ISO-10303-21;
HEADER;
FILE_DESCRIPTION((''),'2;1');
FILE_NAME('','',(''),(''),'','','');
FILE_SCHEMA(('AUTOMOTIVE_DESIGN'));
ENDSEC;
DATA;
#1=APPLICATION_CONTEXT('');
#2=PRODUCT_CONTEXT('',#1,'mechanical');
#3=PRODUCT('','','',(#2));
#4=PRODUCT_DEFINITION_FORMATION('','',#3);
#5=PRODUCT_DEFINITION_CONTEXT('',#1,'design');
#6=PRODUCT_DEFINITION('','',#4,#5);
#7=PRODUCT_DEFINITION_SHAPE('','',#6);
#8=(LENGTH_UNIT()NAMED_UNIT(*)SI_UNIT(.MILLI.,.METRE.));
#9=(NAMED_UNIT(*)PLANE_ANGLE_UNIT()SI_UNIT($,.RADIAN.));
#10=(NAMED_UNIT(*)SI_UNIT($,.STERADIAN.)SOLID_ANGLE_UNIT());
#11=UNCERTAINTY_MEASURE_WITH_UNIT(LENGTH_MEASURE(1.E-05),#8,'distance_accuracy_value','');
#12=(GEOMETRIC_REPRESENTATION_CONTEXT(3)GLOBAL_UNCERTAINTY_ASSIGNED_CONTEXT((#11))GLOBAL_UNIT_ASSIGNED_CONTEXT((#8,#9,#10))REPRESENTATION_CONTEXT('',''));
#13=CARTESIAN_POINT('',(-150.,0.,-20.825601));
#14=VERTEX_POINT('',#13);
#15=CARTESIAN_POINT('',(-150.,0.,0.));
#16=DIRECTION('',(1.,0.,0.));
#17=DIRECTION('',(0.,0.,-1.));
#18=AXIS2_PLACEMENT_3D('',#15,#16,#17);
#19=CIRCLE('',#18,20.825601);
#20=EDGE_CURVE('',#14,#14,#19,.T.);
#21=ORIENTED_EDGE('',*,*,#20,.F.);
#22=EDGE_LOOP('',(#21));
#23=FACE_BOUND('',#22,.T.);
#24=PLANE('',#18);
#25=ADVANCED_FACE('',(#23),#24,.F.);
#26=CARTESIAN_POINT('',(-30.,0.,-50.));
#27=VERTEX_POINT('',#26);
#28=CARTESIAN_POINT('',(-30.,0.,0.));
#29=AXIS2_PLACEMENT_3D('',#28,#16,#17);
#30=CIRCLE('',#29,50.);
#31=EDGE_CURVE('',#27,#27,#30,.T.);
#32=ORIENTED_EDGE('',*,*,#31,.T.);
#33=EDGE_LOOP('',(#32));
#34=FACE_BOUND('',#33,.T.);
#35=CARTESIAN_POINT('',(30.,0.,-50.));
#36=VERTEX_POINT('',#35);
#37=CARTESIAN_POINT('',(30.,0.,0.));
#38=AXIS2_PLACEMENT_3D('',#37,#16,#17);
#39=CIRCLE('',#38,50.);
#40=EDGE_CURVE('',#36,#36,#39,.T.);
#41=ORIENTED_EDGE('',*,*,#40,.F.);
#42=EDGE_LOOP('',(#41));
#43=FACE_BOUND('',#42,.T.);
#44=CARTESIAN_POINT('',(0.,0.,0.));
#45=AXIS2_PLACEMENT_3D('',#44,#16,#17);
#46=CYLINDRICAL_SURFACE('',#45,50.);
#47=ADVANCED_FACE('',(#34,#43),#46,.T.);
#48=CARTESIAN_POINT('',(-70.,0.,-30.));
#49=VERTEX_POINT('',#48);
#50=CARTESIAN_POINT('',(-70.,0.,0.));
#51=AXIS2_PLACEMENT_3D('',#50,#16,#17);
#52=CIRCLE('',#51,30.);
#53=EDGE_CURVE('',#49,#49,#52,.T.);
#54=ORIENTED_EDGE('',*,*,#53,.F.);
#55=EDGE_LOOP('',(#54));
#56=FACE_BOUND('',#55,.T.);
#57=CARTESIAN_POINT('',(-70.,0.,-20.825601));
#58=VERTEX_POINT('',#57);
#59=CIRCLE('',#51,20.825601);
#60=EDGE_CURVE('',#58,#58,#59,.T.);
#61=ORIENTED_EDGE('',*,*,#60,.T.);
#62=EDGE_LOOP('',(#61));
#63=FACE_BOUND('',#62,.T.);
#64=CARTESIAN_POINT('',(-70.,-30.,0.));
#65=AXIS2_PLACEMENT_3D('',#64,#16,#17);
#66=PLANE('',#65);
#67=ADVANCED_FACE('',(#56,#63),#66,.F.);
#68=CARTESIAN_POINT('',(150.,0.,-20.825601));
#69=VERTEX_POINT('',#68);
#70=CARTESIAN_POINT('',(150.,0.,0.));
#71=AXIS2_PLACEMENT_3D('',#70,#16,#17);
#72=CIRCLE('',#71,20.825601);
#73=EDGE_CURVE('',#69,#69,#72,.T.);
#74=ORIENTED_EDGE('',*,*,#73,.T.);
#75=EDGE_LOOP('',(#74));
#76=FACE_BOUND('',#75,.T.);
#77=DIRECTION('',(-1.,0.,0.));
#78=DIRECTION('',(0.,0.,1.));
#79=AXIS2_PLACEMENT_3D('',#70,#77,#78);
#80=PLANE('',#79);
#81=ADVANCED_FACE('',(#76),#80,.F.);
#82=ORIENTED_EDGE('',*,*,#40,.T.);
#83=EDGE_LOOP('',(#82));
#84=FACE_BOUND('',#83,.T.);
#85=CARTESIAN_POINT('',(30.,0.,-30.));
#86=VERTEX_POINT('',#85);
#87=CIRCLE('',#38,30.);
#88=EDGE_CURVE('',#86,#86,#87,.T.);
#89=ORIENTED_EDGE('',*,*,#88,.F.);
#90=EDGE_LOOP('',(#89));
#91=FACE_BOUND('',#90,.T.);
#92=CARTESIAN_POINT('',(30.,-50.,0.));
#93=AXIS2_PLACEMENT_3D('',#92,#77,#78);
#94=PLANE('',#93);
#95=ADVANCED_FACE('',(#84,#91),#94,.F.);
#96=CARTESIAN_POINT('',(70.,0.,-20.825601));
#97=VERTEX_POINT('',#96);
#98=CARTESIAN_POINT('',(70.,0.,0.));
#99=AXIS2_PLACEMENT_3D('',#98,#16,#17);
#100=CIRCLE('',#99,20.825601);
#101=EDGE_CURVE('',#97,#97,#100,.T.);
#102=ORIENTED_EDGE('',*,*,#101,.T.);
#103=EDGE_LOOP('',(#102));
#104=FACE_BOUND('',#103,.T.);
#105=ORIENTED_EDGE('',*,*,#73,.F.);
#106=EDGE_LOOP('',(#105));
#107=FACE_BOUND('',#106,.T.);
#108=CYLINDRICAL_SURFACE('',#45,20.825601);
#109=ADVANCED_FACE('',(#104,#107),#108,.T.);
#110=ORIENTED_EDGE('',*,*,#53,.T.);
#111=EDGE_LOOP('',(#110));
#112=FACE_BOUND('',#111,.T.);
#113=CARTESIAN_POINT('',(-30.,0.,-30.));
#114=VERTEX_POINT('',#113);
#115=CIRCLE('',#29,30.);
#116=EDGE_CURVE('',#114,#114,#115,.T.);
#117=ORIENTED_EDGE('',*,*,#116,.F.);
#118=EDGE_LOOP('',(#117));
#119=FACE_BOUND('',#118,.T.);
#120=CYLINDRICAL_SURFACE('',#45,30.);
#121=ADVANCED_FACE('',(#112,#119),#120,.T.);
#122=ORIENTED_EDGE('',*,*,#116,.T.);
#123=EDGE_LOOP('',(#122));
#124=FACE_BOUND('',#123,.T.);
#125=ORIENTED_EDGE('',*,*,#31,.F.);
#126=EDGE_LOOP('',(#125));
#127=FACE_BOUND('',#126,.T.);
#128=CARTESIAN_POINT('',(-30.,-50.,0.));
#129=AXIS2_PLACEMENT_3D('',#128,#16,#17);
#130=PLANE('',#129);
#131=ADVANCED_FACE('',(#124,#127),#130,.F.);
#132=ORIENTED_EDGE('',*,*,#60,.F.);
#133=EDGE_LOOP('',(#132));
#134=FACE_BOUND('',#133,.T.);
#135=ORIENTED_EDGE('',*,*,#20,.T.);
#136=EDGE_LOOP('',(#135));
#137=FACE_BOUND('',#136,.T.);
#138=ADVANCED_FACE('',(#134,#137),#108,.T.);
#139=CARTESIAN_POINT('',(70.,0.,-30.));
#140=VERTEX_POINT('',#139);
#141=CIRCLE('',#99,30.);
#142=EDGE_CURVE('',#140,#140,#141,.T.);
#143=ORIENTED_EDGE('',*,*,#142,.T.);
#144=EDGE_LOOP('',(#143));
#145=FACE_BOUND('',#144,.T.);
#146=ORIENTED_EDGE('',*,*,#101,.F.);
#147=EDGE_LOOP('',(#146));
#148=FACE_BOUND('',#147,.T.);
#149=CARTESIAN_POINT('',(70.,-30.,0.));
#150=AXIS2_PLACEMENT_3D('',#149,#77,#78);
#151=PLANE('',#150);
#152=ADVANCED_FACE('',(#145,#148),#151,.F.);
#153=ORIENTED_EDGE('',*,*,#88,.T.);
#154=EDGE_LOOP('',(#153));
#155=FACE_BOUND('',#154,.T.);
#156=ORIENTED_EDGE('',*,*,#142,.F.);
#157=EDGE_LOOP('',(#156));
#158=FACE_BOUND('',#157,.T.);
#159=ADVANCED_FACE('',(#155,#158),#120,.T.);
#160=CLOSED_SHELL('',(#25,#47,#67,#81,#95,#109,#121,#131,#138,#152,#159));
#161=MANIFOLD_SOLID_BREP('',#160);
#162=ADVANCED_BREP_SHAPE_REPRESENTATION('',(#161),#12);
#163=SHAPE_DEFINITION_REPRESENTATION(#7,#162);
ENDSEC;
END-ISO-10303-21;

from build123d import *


with BuildPart() as part:
    # Sketch1 → Revolve6 (revolve)
    with BuildSketch(Plane.XY, mode=Mode.PRIVATE) as revolve6_sk:
        Polygon((-30, -50), (30, -50), (30, -30), (70, -30), (70, -20.825600731), (150, -20.825600731), (150, 0), (-150, 0), (-150, -20.825600731), (-70, -20.825600731), (-70, -30), (-30, -30), align=None)
    revolve(revolve6_sk.sketch.rotate(Axis((0, 0, 0), (-1, 0, 0)), 270), axis=Axis((0, 0, 0), (-1, 0, 0)))  # turned: the seam where the file's is


solid = part.part
